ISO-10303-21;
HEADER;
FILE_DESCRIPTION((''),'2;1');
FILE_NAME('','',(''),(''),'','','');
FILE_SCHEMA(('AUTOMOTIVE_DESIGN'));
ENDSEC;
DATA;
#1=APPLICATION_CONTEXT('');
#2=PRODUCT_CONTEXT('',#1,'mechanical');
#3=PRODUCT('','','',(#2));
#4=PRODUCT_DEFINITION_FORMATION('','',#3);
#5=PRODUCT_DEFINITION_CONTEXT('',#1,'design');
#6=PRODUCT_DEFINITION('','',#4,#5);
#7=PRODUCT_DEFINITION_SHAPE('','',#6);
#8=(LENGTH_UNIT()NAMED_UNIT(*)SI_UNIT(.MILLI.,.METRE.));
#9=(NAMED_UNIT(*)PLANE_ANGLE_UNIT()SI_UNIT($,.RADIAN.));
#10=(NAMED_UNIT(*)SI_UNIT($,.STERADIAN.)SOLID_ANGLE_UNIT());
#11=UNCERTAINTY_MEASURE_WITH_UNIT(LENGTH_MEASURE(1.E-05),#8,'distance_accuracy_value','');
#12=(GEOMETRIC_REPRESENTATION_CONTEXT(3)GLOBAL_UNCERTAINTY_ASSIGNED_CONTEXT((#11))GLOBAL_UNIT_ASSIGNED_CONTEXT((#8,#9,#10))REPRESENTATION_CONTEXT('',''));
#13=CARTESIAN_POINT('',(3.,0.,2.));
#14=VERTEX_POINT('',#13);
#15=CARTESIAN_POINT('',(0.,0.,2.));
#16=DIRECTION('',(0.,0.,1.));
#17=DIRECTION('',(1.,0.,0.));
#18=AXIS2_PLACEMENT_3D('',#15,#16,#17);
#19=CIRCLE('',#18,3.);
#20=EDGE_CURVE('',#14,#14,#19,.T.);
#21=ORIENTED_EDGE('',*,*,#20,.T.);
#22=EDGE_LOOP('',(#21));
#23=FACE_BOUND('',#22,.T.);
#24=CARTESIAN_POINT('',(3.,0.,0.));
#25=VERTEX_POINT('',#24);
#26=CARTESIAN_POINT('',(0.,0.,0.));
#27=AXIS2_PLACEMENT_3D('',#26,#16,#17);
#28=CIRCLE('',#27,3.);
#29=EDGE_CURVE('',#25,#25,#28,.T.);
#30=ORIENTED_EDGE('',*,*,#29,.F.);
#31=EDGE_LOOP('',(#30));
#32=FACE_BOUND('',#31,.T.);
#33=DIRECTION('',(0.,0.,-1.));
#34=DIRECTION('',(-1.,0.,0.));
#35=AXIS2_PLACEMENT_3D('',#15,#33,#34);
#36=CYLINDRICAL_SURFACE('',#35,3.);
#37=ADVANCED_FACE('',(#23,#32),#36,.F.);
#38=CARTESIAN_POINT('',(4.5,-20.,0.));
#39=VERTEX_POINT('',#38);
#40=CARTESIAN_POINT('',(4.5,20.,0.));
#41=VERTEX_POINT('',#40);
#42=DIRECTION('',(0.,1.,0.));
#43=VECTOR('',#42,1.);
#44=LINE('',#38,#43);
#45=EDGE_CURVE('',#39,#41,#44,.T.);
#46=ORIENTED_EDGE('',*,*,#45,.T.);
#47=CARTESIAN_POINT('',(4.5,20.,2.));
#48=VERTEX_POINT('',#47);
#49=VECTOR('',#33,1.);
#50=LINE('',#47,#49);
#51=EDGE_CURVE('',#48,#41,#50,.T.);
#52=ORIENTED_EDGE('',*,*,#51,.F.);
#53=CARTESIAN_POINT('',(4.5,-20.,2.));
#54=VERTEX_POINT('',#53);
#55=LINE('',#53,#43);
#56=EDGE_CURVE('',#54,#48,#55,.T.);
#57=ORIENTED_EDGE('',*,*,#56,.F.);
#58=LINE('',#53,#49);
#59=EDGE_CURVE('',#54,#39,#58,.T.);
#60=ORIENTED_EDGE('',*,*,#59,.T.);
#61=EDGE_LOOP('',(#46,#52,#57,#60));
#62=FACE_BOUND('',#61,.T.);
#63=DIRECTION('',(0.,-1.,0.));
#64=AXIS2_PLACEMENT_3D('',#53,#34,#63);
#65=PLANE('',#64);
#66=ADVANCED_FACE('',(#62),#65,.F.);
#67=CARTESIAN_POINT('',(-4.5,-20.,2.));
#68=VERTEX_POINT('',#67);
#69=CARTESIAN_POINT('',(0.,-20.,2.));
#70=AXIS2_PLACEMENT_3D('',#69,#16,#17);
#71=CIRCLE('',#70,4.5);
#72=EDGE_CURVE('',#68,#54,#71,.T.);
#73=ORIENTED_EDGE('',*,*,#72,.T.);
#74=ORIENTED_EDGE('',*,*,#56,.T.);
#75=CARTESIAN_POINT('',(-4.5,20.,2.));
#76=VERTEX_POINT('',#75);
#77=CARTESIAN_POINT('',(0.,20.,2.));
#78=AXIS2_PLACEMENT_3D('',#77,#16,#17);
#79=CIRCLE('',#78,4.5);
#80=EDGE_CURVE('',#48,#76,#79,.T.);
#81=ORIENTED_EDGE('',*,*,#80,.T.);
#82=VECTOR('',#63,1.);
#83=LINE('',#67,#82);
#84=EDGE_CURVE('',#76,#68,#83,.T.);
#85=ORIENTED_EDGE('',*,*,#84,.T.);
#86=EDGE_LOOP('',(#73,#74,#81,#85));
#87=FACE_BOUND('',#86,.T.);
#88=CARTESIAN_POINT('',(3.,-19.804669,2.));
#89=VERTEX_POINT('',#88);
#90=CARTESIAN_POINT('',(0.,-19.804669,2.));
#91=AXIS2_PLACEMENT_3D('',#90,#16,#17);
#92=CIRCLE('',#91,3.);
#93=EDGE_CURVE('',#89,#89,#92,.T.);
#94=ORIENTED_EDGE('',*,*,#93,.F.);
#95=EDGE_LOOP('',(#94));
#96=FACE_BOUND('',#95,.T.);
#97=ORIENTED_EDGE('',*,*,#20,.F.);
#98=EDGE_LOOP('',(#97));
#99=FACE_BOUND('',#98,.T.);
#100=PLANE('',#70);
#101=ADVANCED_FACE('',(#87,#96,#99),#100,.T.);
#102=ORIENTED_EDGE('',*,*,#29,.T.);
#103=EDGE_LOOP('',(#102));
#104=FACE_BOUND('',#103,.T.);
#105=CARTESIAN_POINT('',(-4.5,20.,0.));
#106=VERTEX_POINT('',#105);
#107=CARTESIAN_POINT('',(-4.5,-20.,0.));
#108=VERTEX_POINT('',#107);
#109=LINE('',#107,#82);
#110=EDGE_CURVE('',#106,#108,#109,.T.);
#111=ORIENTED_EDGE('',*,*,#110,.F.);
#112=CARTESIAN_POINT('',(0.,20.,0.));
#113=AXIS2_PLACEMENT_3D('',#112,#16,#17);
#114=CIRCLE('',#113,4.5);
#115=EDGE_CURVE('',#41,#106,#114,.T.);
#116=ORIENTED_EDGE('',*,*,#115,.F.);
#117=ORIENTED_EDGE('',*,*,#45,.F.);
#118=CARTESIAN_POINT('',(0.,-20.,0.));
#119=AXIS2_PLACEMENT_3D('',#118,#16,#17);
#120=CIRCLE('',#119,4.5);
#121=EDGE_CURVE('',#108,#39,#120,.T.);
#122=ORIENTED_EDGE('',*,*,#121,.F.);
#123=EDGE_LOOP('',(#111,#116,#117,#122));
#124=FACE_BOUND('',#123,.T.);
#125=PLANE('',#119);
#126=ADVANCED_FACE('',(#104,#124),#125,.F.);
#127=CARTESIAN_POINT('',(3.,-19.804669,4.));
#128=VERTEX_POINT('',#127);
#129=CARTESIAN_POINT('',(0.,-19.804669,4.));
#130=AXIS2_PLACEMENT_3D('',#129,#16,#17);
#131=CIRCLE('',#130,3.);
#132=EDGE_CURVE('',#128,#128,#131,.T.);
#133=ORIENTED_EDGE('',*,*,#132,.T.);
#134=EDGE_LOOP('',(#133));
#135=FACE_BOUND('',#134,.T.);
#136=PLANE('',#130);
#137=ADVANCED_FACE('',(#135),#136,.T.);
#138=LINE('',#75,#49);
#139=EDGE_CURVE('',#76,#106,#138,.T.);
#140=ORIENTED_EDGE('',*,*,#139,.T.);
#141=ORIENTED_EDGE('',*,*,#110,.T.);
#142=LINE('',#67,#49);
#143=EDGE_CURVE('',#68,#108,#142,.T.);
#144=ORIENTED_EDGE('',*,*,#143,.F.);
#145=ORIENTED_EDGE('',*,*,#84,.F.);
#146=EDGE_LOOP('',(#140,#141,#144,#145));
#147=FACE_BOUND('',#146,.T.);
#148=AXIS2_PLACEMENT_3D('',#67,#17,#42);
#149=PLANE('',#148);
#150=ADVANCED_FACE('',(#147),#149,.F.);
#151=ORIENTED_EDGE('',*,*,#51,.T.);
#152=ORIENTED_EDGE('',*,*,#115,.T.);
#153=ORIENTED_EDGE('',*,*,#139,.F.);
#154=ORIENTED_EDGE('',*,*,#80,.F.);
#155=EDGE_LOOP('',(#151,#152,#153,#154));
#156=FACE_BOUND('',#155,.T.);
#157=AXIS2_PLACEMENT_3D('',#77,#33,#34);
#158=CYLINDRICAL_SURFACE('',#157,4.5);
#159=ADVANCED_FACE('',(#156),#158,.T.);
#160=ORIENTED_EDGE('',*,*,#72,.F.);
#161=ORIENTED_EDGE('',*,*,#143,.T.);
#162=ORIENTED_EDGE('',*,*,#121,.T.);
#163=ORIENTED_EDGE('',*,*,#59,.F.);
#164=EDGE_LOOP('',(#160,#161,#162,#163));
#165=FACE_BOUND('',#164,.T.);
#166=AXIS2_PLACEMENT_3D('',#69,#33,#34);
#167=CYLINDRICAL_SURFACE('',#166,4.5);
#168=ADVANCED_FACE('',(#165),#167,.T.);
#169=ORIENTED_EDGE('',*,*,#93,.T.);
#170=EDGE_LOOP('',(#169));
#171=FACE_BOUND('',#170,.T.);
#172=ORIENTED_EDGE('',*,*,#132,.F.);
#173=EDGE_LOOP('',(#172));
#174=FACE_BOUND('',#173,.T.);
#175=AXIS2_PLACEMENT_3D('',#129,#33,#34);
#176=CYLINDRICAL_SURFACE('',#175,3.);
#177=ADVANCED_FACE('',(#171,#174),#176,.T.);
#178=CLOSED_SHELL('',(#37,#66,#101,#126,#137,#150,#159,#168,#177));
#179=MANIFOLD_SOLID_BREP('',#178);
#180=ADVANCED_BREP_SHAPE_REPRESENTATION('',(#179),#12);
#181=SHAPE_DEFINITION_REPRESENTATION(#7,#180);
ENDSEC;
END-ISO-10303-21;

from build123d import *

# Parameters (mm, degrees)
SKETCH_1_R      = 3
EXTRUDE_1_DEPTH = 2
SKETCH_2_R      = 3
EXTRUDE_2_DEPTH = 2


with BuildPart() as part:
    # 草图1 → 凸台-拉伸1 (new body)
    with BuildSketch(Plane.XY):
        with BuildLine():
            Line((-4.5, -20), (-4.5, 20))
            ThreePointArc((-4.5, 20), (0, 24.5), (4.5, 20))
            Line((4.5, 20), (4.5, -20))
            ThreePointArc((4.5, -20), (0, -24.5), (-4.5, -20))
        make_face()
        Circle(SKETCH_1_R, mode=Mode.SUBTRACT)
    extrude(amount=EXTRUDE_1_DEPTH)

    # 草图2 → 凸台-拉伸2 (add)
    with BuildSketch(Plane.XY.offset(2)):
        with Locations((0, -19.804668681)):
            Circle(SKETCH_2_R)
    extrude(amount=EXTRUDE_2_DEPTH)


solid = part.part
